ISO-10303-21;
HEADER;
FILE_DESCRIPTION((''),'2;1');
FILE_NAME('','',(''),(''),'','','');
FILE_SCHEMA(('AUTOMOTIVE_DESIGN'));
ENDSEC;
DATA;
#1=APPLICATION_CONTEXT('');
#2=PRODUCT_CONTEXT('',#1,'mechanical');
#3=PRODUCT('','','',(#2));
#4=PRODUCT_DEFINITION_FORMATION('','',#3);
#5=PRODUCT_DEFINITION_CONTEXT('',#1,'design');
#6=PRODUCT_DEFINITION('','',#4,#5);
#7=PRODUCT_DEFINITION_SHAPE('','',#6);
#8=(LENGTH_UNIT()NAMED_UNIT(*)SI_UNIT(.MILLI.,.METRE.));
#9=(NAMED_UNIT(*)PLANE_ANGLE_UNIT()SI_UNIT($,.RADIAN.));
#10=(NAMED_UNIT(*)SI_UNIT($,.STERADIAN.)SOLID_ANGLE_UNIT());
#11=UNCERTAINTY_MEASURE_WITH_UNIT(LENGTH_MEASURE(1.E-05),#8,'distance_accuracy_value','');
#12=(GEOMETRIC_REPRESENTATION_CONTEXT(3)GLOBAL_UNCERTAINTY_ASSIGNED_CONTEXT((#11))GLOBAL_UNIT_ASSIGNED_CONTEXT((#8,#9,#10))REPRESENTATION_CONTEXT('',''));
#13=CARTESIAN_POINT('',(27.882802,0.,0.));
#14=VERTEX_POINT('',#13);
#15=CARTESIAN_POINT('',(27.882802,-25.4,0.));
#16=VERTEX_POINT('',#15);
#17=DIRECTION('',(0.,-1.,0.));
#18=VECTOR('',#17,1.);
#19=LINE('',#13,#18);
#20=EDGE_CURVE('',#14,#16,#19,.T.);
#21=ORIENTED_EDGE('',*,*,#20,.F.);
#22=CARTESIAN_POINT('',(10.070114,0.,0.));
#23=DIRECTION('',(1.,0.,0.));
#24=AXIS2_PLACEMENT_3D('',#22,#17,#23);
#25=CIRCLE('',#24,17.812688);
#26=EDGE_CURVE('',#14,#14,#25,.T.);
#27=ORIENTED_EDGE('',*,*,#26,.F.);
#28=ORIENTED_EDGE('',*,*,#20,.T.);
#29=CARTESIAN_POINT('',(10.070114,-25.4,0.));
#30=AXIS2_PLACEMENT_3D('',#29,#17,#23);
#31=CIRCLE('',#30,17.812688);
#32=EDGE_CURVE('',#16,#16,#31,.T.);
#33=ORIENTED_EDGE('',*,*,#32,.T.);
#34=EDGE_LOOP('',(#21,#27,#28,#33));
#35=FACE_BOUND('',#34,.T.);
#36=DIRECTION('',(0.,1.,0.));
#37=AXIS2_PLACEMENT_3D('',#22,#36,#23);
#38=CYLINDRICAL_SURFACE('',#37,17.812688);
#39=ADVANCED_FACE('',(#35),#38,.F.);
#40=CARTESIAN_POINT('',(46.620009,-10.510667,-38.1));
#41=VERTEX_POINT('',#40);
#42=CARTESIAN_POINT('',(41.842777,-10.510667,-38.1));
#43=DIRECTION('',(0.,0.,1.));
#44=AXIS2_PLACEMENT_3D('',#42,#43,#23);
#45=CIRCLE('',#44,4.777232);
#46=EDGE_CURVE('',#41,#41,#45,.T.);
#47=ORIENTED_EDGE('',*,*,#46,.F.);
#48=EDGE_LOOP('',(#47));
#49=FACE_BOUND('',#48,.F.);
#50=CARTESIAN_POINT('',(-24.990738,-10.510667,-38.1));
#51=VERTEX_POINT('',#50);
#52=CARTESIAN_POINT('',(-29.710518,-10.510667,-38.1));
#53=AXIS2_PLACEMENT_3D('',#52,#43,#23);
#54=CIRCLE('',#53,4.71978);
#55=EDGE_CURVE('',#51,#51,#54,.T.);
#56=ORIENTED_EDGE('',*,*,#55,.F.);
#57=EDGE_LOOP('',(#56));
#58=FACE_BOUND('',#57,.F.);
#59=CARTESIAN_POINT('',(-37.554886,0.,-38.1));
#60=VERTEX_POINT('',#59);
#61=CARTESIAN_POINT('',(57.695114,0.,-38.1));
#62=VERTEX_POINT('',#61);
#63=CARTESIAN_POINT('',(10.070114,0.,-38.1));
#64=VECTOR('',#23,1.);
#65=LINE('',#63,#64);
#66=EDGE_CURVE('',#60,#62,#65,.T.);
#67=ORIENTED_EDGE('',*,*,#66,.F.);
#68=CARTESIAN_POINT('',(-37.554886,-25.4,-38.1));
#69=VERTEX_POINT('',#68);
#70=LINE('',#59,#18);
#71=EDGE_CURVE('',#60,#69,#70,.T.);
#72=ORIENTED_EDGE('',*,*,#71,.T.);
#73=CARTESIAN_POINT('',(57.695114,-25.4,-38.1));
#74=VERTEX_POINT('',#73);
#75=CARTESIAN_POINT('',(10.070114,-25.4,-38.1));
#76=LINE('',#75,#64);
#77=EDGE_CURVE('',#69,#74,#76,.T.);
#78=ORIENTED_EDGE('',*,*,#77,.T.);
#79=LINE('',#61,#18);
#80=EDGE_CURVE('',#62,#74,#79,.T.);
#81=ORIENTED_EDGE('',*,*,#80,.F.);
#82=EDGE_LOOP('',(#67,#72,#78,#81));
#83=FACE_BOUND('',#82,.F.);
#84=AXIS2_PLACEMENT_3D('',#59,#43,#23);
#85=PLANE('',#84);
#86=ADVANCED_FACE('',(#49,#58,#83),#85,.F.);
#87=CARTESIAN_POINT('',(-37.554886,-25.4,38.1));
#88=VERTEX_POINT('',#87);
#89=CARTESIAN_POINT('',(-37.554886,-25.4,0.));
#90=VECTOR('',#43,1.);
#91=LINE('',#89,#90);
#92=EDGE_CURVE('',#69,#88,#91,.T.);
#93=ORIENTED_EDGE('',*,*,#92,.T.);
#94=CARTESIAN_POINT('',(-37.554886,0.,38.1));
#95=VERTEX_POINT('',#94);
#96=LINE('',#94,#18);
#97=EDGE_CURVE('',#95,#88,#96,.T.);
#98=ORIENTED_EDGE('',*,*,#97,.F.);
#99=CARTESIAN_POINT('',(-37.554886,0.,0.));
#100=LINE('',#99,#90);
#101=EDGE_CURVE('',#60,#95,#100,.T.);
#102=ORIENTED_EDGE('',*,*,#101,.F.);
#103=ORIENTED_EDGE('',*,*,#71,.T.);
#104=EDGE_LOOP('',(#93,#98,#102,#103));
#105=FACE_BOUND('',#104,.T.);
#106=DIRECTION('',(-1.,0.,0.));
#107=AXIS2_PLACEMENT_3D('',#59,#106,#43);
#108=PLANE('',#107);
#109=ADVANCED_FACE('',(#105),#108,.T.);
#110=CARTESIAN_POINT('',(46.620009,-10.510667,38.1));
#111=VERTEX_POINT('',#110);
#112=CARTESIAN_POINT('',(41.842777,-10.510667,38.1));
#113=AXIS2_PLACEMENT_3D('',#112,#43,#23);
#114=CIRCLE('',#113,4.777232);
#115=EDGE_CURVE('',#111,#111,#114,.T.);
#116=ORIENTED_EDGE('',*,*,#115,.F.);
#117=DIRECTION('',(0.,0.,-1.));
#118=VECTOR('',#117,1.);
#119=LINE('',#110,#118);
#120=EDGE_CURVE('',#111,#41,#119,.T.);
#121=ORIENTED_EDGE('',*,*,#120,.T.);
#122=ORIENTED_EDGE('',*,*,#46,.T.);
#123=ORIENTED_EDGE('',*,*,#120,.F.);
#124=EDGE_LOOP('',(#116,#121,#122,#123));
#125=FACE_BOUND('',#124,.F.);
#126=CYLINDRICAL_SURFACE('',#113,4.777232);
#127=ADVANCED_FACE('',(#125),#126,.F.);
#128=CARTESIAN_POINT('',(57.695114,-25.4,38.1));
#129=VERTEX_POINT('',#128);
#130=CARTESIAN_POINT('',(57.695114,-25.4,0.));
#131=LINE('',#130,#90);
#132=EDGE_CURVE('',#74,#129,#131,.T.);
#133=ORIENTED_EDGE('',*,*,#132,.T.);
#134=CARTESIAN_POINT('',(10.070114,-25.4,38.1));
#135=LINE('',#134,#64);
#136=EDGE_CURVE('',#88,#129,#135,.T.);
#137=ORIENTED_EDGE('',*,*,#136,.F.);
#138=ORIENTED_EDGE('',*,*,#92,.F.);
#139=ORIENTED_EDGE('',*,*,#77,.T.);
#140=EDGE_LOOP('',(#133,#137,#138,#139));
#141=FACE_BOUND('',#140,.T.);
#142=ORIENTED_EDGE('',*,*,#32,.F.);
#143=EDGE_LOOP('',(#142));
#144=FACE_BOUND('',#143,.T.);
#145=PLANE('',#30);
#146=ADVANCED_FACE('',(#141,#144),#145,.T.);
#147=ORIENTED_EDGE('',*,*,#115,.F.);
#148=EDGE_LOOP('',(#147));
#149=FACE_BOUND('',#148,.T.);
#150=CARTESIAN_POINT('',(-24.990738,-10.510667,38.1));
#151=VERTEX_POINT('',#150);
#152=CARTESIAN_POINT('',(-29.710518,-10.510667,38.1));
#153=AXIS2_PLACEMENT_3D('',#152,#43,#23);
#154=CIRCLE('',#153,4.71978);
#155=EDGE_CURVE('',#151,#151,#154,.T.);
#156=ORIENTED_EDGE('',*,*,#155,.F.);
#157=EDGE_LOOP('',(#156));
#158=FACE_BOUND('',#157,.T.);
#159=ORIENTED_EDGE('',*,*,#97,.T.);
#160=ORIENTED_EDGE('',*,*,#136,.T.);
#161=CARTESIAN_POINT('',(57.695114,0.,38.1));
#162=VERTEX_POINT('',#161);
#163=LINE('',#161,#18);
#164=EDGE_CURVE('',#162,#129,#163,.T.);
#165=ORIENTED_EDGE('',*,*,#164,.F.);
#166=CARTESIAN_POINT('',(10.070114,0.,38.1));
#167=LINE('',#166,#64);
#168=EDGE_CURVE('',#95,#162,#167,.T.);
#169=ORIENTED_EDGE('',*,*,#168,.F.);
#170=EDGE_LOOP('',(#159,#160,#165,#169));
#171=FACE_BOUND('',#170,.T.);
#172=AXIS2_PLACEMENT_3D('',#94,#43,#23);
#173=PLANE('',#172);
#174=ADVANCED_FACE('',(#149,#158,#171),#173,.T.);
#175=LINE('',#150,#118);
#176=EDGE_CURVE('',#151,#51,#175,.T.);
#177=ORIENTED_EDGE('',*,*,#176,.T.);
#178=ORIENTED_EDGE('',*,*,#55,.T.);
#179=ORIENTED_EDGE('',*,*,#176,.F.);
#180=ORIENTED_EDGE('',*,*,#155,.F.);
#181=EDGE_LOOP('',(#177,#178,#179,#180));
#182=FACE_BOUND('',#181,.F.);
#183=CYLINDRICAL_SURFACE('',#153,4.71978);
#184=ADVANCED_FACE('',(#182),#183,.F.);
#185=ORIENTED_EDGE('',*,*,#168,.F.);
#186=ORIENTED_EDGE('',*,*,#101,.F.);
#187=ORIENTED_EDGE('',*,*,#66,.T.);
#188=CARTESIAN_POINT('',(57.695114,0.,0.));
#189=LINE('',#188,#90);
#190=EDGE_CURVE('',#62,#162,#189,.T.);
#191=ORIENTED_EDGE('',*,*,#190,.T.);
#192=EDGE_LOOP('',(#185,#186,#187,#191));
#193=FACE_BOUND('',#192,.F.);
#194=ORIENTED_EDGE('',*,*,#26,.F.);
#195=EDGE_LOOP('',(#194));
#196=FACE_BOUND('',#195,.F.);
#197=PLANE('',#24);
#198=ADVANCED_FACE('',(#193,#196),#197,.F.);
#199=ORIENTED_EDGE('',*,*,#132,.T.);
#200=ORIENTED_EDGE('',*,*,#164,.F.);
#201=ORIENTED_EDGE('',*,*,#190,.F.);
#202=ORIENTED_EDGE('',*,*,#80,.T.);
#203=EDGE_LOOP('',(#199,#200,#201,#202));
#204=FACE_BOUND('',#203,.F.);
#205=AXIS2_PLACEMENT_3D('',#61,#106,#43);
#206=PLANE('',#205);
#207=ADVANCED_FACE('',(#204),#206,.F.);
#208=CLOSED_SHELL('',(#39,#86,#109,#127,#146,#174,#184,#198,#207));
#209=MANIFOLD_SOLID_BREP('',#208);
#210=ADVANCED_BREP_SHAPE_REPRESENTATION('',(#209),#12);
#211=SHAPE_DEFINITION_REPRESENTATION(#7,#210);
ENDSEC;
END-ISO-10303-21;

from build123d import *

# Parameters (mm, degrees)
F0_W     = 95.25
F0_H     = 76.2
F0_R     = 17.812688
F1_DEPTH = 25.4
F2_R     = 4.71978
F2_R_2   = 4.777232
F3_DEPTH = 254
F4_DEPTH = 254


with BuildPart() as f1:
    # F0 (on Front) → F1 (new body)
    with BuildSketch(Plane.XZ):
        with Locations((10.070114, 0)):
            Rectangle(F0_W, F0_H)
        with Locations((10.070114, 0)):
            Circle(F0_R, mode=Mode.SUBTRACT)
    extrude(amount=F1_DEPTH)

    # F2 (on face) → F3 (cut)
    with BuildSketch(Plane.XY.offset(38.1)):
        with Locations((-29.710518, -10.510667)):
            Circle(F2_R)
        with Locations((41.842777, -10.510667)):
            Circle(F2_R_2)
    extrude(amount=-F3_DEPTH, mode=Mode.SUBTRACT)

    # F2 (on face) → F4 (cut)
    with BuildSketch(Plane.XY.offset(38.1)):
        with Locations((-29.710518, -10.510667)):
            Circle(F2_R)
        with Locations((41.842777, -10.510667)):
            Circle(F2_R_2)
    extrude(amount=-F4_DEPTH, mode=Mode.SUBTRACT)


solid = f1.part
